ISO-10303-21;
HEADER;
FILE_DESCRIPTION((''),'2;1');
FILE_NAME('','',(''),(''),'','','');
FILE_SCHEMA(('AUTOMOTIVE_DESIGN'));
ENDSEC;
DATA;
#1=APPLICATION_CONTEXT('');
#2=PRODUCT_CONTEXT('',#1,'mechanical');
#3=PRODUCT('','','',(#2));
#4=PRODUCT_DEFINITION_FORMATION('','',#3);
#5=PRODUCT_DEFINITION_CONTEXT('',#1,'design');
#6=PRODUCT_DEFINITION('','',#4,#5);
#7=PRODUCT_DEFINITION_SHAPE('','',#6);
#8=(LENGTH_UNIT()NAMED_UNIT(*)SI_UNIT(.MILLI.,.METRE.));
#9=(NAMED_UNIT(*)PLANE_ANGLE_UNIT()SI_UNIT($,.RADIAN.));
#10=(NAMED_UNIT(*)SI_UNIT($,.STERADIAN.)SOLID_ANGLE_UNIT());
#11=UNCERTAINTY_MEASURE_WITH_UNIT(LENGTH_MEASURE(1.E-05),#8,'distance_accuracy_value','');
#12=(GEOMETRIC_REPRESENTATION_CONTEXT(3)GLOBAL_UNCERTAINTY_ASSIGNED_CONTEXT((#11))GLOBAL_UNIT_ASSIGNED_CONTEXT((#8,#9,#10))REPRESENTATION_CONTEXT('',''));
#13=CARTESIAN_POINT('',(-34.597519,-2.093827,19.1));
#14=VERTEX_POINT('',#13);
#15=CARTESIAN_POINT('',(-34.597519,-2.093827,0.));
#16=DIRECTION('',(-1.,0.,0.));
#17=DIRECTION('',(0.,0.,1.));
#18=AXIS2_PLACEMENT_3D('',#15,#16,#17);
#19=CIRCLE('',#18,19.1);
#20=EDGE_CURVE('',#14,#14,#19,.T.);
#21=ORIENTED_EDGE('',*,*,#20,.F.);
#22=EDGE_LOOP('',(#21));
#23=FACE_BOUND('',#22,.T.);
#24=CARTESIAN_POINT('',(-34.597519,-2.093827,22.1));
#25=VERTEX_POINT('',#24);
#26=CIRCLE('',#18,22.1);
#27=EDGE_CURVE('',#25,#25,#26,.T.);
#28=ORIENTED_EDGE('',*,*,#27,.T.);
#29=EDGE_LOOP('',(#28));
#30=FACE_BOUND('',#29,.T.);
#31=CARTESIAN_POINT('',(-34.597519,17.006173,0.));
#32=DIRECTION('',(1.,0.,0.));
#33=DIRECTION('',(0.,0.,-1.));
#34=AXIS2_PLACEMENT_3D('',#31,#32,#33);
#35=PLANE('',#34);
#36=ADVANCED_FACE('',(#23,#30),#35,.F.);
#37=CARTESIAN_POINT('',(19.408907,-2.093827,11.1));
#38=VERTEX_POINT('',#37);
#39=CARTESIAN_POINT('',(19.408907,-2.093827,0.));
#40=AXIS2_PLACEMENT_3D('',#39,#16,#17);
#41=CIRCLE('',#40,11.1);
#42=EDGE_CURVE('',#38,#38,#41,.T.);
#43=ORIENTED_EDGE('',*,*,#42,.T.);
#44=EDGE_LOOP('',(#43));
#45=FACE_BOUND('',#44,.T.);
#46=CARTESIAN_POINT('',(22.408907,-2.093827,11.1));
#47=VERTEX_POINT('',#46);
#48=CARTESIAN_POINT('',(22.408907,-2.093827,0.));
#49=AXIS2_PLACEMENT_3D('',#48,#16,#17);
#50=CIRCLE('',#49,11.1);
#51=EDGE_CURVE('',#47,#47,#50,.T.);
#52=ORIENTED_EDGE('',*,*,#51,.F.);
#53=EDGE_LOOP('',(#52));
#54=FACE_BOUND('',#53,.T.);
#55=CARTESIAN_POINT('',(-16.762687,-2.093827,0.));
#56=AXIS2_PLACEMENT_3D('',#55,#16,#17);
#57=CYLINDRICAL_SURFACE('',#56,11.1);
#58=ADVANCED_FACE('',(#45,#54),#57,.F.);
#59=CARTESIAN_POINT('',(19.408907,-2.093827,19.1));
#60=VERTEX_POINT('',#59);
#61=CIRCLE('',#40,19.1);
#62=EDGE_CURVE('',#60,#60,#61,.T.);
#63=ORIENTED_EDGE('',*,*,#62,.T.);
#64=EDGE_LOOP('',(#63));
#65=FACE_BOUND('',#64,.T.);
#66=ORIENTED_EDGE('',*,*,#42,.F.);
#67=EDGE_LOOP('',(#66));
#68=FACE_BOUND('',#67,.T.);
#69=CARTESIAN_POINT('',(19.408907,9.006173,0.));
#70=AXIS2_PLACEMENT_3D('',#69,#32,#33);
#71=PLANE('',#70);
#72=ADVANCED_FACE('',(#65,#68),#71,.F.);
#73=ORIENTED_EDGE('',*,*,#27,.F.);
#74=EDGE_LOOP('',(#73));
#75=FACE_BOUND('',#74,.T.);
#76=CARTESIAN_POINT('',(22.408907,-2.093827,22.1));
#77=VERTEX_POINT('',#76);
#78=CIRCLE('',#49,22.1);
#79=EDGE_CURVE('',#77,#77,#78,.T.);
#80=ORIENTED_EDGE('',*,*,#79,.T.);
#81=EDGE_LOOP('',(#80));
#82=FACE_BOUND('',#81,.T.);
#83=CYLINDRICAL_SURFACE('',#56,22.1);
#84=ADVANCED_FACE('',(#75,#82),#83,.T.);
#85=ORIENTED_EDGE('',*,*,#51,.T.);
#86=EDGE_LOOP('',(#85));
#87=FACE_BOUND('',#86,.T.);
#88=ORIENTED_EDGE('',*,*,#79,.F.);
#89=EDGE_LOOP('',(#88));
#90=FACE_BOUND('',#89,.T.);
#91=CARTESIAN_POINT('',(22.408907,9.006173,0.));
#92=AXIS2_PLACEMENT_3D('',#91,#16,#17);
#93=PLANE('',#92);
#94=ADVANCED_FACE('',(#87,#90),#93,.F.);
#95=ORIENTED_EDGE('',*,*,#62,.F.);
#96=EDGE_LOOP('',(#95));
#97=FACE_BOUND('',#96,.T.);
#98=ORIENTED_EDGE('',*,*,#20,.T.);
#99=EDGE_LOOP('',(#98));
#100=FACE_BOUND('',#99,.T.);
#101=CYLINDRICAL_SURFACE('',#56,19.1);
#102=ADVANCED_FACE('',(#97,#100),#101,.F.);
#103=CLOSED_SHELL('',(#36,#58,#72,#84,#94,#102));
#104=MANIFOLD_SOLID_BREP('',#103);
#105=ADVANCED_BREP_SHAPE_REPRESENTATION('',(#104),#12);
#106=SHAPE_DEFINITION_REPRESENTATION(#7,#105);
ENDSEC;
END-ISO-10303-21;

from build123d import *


with BuildPart() as part:
    # Sketch1 → Revolve1 (revolve)
    with BuildSketch(Plane.XY):
        Polygon((19.408906872, 9.006172878), (22.408906872, 9.006172878), (22.408906872, 20.006172878), (19.408906872, 20.006172878), (-34.597518993, 20.006172878), (-34.597518993, 17.006172878), (19.408906872, 17.006172878), align=None)
    revolve(axis=Axis((-16.762687395, -2.093827122, 0), (1, 0, 0)))


solid = part.part
